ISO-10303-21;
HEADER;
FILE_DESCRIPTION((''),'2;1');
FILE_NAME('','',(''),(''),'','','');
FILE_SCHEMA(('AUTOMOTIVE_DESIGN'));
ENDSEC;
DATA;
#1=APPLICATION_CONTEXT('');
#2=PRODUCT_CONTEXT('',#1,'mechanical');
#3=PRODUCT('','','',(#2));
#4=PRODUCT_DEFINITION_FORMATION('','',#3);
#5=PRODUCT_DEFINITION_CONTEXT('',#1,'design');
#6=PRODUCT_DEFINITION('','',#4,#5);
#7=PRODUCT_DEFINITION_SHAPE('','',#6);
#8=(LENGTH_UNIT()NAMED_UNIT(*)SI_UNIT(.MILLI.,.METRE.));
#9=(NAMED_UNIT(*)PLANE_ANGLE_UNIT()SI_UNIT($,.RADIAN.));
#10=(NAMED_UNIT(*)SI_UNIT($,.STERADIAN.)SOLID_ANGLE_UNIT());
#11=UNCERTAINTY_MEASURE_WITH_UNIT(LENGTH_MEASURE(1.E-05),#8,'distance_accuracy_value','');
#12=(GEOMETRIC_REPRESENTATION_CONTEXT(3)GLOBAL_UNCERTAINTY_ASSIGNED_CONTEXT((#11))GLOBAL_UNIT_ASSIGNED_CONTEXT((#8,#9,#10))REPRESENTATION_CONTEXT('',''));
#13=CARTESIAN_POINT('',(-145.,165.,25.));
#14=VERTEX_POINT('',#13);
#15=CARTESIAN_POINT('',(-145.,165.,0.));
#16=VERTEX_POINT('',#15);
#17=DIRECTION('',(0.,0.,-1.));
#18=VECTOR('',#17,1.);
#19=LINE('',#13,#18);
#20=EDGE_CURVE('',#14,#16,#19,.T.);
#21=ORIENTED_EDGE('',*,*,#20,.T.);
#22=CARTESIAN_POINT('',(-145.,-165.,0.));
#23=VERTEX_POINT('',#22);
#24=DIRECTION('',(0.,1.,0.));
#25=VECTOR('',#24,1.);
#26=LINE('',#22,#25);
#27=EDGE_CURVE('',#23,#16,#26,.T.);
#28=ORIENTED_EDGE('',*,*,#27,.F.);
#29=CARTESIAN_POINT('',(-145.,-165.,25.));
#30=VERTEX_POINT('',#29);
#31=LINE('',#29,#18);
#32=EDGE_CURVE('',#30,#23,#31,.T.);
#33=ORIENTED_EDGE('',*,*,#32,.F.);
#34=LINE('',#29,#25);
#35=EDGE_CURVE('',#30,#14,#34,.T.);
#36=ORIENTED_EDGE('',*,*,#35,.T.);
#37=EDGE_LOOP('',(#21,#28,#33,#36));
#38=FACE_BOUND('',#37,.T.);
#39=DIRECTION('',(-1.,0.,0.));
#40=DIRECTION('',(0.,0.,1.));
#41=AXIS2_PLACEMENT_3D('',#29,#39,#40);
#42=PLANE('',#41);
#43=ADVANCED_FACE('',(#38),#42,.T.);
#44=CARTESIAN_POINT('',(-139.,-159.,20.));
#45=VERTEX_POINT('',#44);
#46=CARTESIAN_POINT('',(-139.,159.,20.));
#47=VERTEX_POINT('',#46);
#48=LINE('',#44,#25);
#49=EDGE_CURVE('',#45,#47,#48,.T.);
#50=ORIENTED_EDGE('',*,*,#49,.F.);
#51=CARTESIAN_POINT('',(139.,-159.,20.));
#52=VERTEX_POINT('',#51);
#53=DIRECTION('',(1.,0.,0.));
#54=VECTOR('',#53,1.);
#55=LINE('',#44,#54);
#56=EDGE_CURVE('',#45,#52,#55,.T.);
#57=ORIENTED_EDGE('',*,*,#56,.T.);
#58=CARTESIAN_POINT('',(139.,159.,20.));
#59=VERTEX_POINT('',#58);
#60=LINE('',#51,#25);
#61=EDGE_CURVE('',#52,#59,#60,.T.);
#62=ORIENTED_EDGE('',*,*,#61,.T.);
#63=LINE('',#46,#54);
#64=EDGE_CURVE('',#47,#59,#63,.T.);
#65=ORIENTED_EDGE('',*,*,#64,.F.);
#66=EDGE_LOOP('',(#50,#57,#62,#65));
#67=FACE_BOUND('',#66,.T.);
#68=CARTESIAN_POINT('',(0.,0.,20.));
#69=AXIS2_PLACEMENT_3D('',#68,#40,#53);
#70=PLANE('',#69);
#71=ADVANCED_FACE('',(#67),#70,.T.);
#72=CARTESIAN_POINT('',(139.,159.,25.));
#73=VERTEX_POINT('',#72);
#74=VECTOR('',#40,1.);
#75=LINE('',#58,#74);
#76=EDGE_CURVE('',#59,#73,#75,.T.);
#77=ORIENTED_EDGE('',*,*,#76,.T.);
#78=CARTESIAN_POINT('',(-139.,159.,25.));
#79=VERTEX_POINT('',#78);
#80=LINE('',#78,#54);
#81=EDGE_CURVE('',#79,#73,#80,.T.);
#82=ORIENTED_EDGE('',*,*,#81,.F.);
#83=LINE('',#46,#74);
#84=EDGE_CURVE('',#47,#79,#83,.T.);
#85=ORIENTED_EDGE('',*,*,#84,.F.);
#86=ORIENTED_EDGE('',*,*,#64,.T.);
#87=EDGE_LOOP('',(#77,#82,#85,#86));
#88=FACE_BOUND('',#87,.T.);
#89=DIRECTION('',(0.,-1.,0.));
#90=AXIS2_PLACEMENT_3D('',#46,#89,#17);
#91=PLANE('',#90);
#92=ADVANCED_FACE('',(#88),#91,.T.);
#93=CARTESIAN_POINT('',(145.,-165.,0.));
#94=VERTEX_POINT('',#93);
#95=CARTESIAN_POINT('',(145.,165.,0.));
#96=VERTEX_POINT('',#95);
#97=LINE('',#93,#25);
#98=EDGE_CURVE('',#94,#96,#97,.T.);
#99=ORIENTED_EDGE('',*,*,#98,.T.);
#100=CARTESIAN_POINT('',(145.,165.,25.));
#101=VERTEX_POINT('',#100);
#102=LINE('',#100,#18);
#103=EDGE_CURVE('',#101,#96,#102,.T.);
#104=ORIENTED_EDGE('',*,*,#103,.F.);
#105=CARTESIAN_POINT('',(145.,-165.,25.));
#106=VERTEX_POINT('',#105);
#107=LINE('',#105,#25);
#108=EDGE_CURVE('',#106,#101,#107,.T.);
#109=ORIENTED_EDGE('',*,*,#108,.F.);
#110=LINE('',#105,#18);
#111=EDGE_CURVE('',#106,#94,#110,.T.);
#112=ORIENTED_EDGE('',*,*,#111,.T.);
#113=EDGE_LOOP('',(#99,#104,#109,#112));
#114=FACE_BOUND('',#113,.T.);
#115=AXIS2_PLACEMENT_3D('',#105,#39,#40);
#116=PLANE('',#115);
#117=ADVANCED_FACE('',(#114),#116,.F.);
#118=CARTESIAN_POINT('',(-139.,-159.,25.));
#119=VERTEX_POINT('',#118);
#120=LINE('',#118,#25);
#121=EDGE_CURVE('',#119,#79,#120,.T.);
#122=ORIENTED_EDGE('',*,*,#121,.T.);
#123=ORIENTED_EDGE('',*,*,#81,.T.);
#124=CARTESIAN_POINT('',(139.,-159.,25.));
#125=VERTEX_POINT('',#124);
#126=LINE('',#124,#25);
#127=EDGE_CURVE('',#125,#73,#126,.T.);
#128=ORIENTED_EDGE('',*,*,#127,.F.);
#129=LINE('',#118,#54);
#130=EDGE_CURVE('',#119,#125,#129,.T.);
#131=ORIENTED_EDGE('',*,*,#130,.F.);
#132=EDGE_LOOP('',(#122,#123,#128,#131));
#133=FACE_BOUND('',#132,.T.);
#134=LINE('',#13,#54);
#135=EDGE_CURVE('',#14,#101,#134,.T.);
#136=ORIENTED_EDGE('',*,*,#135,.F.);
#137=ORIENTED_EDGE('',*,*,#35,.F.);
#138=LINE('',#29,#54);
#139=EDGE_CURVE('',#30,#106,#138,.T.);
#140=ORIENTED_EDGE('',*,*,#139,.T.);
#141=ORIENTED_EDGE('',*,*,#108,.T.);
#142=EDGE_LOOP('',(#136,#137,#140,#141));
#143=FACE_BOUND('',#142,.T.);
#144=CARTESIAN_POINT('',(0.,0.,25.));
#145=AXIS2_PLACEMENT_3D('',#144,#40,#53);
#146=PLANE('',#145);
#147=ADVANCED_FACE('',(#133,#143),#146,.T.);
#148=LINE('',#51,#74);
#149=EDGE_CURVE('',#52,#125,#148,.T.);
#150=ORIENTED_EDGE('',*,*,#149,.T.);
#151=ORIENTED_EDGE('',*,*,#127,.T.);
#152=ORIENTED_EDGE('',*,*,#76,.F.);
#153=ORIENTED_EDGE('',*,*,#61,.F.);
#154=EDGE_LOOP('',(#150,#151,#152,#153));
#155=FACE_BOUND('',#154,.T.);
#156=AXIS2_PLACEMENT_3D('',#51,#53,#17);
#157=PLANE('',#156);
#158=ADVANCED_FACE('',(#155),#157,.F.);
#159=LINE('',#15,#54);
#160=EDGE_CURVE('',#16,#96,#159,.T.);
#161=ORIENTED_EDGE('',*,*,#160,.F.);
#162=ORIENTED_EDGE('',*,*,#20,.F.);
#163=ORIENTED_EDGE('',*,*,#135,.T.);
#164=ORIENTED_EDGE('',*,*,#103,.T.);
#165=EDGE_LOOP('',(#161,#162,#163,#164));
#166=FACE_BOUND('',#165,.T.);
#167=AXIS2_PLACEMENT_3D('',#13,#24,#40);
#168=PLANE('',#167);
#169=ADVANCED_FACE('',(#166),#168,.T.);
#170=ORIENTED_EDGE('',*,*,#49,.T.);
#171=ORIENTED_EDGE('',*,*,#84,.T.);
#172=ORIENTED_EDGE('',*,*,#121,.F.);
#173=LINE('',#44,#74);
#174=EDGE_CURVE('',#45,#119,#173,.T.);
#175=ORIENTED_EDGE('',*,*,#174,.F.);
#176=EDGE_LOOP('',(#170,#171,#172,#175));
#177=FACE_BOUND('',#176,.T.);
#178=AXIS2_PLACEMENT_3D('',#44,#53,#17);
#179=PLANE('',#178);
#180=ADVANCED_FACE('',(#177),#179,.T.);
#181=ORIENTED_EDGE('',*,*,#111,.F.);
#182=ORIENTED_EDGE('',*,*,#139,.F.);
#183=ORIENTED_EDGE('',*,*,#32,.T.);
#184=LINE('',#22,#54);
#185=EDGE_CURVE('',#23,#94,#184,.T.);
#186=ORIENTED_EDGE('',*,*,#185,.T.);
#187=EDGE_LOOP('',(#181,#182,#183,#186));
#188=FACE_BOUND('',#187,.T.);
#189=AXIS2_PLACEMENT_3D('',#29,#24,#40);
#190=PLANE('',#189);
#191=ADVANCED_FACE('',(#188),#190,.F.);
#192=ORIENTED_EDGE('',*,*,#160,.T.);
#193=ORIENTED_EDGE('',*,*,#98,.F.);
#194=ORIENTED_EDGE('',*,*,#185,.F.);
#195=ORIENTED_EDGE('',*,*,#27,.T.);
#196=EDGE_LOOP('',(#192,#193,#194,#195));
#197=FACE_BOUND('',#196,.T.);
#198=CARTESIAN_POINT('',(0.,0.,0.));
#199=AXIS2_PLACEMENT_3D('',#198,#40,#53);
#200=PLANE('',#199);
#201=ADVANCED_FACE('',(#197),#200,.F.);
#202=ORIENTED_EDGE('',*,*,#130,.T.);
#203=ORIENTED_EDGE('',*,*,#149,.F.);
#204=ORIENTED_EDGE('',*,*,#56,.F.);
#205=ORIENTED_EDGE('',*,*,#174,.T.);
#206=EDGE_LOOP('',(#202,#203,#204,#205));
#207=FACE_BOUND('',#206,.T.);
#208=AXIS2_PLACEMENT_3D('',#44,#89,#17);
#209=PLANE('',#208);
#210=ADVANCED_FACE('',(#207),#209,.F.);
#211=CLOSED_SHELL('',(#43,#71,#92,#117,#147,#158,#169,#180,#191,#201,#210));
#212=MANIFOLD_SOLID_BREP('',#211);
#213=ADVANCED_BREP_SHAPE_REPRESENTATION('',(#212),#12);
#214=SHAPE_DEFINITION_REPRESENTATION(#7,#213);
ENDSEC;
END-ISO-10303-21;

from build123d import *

# Parameters (mm, degrees)
SKETCH1_W           = 290
SKETCH1_H           = 330
BOSS_EXTRUDE2_DEPTH = 25
SKETCH7_W           = 278
SKETCH7_H           = 318
CUT_EXTRUDE3_DEPTH  = 5


with BuildPart() as part:
    # Sketch1 → Boss-Extrude2 (new body)
    with BuildSketch(Plane.XY):
        Rectangle(SKETCH1_W, SKETCH1_H)
    extrude(amount=BOSS_EXTRUDE2_DEPTH)

    # Sketch7 → Cut-Extrude3 (cut)
    with BuildSketch(Plane.XY.offset(25)):
        Rectangle(SKETCH7_W, SKETCH7_H)
    extrude(amount=-CUT_EXTRUDE3_DEPTH, mode=Mode.SUBTRACT)


solid = part.part
